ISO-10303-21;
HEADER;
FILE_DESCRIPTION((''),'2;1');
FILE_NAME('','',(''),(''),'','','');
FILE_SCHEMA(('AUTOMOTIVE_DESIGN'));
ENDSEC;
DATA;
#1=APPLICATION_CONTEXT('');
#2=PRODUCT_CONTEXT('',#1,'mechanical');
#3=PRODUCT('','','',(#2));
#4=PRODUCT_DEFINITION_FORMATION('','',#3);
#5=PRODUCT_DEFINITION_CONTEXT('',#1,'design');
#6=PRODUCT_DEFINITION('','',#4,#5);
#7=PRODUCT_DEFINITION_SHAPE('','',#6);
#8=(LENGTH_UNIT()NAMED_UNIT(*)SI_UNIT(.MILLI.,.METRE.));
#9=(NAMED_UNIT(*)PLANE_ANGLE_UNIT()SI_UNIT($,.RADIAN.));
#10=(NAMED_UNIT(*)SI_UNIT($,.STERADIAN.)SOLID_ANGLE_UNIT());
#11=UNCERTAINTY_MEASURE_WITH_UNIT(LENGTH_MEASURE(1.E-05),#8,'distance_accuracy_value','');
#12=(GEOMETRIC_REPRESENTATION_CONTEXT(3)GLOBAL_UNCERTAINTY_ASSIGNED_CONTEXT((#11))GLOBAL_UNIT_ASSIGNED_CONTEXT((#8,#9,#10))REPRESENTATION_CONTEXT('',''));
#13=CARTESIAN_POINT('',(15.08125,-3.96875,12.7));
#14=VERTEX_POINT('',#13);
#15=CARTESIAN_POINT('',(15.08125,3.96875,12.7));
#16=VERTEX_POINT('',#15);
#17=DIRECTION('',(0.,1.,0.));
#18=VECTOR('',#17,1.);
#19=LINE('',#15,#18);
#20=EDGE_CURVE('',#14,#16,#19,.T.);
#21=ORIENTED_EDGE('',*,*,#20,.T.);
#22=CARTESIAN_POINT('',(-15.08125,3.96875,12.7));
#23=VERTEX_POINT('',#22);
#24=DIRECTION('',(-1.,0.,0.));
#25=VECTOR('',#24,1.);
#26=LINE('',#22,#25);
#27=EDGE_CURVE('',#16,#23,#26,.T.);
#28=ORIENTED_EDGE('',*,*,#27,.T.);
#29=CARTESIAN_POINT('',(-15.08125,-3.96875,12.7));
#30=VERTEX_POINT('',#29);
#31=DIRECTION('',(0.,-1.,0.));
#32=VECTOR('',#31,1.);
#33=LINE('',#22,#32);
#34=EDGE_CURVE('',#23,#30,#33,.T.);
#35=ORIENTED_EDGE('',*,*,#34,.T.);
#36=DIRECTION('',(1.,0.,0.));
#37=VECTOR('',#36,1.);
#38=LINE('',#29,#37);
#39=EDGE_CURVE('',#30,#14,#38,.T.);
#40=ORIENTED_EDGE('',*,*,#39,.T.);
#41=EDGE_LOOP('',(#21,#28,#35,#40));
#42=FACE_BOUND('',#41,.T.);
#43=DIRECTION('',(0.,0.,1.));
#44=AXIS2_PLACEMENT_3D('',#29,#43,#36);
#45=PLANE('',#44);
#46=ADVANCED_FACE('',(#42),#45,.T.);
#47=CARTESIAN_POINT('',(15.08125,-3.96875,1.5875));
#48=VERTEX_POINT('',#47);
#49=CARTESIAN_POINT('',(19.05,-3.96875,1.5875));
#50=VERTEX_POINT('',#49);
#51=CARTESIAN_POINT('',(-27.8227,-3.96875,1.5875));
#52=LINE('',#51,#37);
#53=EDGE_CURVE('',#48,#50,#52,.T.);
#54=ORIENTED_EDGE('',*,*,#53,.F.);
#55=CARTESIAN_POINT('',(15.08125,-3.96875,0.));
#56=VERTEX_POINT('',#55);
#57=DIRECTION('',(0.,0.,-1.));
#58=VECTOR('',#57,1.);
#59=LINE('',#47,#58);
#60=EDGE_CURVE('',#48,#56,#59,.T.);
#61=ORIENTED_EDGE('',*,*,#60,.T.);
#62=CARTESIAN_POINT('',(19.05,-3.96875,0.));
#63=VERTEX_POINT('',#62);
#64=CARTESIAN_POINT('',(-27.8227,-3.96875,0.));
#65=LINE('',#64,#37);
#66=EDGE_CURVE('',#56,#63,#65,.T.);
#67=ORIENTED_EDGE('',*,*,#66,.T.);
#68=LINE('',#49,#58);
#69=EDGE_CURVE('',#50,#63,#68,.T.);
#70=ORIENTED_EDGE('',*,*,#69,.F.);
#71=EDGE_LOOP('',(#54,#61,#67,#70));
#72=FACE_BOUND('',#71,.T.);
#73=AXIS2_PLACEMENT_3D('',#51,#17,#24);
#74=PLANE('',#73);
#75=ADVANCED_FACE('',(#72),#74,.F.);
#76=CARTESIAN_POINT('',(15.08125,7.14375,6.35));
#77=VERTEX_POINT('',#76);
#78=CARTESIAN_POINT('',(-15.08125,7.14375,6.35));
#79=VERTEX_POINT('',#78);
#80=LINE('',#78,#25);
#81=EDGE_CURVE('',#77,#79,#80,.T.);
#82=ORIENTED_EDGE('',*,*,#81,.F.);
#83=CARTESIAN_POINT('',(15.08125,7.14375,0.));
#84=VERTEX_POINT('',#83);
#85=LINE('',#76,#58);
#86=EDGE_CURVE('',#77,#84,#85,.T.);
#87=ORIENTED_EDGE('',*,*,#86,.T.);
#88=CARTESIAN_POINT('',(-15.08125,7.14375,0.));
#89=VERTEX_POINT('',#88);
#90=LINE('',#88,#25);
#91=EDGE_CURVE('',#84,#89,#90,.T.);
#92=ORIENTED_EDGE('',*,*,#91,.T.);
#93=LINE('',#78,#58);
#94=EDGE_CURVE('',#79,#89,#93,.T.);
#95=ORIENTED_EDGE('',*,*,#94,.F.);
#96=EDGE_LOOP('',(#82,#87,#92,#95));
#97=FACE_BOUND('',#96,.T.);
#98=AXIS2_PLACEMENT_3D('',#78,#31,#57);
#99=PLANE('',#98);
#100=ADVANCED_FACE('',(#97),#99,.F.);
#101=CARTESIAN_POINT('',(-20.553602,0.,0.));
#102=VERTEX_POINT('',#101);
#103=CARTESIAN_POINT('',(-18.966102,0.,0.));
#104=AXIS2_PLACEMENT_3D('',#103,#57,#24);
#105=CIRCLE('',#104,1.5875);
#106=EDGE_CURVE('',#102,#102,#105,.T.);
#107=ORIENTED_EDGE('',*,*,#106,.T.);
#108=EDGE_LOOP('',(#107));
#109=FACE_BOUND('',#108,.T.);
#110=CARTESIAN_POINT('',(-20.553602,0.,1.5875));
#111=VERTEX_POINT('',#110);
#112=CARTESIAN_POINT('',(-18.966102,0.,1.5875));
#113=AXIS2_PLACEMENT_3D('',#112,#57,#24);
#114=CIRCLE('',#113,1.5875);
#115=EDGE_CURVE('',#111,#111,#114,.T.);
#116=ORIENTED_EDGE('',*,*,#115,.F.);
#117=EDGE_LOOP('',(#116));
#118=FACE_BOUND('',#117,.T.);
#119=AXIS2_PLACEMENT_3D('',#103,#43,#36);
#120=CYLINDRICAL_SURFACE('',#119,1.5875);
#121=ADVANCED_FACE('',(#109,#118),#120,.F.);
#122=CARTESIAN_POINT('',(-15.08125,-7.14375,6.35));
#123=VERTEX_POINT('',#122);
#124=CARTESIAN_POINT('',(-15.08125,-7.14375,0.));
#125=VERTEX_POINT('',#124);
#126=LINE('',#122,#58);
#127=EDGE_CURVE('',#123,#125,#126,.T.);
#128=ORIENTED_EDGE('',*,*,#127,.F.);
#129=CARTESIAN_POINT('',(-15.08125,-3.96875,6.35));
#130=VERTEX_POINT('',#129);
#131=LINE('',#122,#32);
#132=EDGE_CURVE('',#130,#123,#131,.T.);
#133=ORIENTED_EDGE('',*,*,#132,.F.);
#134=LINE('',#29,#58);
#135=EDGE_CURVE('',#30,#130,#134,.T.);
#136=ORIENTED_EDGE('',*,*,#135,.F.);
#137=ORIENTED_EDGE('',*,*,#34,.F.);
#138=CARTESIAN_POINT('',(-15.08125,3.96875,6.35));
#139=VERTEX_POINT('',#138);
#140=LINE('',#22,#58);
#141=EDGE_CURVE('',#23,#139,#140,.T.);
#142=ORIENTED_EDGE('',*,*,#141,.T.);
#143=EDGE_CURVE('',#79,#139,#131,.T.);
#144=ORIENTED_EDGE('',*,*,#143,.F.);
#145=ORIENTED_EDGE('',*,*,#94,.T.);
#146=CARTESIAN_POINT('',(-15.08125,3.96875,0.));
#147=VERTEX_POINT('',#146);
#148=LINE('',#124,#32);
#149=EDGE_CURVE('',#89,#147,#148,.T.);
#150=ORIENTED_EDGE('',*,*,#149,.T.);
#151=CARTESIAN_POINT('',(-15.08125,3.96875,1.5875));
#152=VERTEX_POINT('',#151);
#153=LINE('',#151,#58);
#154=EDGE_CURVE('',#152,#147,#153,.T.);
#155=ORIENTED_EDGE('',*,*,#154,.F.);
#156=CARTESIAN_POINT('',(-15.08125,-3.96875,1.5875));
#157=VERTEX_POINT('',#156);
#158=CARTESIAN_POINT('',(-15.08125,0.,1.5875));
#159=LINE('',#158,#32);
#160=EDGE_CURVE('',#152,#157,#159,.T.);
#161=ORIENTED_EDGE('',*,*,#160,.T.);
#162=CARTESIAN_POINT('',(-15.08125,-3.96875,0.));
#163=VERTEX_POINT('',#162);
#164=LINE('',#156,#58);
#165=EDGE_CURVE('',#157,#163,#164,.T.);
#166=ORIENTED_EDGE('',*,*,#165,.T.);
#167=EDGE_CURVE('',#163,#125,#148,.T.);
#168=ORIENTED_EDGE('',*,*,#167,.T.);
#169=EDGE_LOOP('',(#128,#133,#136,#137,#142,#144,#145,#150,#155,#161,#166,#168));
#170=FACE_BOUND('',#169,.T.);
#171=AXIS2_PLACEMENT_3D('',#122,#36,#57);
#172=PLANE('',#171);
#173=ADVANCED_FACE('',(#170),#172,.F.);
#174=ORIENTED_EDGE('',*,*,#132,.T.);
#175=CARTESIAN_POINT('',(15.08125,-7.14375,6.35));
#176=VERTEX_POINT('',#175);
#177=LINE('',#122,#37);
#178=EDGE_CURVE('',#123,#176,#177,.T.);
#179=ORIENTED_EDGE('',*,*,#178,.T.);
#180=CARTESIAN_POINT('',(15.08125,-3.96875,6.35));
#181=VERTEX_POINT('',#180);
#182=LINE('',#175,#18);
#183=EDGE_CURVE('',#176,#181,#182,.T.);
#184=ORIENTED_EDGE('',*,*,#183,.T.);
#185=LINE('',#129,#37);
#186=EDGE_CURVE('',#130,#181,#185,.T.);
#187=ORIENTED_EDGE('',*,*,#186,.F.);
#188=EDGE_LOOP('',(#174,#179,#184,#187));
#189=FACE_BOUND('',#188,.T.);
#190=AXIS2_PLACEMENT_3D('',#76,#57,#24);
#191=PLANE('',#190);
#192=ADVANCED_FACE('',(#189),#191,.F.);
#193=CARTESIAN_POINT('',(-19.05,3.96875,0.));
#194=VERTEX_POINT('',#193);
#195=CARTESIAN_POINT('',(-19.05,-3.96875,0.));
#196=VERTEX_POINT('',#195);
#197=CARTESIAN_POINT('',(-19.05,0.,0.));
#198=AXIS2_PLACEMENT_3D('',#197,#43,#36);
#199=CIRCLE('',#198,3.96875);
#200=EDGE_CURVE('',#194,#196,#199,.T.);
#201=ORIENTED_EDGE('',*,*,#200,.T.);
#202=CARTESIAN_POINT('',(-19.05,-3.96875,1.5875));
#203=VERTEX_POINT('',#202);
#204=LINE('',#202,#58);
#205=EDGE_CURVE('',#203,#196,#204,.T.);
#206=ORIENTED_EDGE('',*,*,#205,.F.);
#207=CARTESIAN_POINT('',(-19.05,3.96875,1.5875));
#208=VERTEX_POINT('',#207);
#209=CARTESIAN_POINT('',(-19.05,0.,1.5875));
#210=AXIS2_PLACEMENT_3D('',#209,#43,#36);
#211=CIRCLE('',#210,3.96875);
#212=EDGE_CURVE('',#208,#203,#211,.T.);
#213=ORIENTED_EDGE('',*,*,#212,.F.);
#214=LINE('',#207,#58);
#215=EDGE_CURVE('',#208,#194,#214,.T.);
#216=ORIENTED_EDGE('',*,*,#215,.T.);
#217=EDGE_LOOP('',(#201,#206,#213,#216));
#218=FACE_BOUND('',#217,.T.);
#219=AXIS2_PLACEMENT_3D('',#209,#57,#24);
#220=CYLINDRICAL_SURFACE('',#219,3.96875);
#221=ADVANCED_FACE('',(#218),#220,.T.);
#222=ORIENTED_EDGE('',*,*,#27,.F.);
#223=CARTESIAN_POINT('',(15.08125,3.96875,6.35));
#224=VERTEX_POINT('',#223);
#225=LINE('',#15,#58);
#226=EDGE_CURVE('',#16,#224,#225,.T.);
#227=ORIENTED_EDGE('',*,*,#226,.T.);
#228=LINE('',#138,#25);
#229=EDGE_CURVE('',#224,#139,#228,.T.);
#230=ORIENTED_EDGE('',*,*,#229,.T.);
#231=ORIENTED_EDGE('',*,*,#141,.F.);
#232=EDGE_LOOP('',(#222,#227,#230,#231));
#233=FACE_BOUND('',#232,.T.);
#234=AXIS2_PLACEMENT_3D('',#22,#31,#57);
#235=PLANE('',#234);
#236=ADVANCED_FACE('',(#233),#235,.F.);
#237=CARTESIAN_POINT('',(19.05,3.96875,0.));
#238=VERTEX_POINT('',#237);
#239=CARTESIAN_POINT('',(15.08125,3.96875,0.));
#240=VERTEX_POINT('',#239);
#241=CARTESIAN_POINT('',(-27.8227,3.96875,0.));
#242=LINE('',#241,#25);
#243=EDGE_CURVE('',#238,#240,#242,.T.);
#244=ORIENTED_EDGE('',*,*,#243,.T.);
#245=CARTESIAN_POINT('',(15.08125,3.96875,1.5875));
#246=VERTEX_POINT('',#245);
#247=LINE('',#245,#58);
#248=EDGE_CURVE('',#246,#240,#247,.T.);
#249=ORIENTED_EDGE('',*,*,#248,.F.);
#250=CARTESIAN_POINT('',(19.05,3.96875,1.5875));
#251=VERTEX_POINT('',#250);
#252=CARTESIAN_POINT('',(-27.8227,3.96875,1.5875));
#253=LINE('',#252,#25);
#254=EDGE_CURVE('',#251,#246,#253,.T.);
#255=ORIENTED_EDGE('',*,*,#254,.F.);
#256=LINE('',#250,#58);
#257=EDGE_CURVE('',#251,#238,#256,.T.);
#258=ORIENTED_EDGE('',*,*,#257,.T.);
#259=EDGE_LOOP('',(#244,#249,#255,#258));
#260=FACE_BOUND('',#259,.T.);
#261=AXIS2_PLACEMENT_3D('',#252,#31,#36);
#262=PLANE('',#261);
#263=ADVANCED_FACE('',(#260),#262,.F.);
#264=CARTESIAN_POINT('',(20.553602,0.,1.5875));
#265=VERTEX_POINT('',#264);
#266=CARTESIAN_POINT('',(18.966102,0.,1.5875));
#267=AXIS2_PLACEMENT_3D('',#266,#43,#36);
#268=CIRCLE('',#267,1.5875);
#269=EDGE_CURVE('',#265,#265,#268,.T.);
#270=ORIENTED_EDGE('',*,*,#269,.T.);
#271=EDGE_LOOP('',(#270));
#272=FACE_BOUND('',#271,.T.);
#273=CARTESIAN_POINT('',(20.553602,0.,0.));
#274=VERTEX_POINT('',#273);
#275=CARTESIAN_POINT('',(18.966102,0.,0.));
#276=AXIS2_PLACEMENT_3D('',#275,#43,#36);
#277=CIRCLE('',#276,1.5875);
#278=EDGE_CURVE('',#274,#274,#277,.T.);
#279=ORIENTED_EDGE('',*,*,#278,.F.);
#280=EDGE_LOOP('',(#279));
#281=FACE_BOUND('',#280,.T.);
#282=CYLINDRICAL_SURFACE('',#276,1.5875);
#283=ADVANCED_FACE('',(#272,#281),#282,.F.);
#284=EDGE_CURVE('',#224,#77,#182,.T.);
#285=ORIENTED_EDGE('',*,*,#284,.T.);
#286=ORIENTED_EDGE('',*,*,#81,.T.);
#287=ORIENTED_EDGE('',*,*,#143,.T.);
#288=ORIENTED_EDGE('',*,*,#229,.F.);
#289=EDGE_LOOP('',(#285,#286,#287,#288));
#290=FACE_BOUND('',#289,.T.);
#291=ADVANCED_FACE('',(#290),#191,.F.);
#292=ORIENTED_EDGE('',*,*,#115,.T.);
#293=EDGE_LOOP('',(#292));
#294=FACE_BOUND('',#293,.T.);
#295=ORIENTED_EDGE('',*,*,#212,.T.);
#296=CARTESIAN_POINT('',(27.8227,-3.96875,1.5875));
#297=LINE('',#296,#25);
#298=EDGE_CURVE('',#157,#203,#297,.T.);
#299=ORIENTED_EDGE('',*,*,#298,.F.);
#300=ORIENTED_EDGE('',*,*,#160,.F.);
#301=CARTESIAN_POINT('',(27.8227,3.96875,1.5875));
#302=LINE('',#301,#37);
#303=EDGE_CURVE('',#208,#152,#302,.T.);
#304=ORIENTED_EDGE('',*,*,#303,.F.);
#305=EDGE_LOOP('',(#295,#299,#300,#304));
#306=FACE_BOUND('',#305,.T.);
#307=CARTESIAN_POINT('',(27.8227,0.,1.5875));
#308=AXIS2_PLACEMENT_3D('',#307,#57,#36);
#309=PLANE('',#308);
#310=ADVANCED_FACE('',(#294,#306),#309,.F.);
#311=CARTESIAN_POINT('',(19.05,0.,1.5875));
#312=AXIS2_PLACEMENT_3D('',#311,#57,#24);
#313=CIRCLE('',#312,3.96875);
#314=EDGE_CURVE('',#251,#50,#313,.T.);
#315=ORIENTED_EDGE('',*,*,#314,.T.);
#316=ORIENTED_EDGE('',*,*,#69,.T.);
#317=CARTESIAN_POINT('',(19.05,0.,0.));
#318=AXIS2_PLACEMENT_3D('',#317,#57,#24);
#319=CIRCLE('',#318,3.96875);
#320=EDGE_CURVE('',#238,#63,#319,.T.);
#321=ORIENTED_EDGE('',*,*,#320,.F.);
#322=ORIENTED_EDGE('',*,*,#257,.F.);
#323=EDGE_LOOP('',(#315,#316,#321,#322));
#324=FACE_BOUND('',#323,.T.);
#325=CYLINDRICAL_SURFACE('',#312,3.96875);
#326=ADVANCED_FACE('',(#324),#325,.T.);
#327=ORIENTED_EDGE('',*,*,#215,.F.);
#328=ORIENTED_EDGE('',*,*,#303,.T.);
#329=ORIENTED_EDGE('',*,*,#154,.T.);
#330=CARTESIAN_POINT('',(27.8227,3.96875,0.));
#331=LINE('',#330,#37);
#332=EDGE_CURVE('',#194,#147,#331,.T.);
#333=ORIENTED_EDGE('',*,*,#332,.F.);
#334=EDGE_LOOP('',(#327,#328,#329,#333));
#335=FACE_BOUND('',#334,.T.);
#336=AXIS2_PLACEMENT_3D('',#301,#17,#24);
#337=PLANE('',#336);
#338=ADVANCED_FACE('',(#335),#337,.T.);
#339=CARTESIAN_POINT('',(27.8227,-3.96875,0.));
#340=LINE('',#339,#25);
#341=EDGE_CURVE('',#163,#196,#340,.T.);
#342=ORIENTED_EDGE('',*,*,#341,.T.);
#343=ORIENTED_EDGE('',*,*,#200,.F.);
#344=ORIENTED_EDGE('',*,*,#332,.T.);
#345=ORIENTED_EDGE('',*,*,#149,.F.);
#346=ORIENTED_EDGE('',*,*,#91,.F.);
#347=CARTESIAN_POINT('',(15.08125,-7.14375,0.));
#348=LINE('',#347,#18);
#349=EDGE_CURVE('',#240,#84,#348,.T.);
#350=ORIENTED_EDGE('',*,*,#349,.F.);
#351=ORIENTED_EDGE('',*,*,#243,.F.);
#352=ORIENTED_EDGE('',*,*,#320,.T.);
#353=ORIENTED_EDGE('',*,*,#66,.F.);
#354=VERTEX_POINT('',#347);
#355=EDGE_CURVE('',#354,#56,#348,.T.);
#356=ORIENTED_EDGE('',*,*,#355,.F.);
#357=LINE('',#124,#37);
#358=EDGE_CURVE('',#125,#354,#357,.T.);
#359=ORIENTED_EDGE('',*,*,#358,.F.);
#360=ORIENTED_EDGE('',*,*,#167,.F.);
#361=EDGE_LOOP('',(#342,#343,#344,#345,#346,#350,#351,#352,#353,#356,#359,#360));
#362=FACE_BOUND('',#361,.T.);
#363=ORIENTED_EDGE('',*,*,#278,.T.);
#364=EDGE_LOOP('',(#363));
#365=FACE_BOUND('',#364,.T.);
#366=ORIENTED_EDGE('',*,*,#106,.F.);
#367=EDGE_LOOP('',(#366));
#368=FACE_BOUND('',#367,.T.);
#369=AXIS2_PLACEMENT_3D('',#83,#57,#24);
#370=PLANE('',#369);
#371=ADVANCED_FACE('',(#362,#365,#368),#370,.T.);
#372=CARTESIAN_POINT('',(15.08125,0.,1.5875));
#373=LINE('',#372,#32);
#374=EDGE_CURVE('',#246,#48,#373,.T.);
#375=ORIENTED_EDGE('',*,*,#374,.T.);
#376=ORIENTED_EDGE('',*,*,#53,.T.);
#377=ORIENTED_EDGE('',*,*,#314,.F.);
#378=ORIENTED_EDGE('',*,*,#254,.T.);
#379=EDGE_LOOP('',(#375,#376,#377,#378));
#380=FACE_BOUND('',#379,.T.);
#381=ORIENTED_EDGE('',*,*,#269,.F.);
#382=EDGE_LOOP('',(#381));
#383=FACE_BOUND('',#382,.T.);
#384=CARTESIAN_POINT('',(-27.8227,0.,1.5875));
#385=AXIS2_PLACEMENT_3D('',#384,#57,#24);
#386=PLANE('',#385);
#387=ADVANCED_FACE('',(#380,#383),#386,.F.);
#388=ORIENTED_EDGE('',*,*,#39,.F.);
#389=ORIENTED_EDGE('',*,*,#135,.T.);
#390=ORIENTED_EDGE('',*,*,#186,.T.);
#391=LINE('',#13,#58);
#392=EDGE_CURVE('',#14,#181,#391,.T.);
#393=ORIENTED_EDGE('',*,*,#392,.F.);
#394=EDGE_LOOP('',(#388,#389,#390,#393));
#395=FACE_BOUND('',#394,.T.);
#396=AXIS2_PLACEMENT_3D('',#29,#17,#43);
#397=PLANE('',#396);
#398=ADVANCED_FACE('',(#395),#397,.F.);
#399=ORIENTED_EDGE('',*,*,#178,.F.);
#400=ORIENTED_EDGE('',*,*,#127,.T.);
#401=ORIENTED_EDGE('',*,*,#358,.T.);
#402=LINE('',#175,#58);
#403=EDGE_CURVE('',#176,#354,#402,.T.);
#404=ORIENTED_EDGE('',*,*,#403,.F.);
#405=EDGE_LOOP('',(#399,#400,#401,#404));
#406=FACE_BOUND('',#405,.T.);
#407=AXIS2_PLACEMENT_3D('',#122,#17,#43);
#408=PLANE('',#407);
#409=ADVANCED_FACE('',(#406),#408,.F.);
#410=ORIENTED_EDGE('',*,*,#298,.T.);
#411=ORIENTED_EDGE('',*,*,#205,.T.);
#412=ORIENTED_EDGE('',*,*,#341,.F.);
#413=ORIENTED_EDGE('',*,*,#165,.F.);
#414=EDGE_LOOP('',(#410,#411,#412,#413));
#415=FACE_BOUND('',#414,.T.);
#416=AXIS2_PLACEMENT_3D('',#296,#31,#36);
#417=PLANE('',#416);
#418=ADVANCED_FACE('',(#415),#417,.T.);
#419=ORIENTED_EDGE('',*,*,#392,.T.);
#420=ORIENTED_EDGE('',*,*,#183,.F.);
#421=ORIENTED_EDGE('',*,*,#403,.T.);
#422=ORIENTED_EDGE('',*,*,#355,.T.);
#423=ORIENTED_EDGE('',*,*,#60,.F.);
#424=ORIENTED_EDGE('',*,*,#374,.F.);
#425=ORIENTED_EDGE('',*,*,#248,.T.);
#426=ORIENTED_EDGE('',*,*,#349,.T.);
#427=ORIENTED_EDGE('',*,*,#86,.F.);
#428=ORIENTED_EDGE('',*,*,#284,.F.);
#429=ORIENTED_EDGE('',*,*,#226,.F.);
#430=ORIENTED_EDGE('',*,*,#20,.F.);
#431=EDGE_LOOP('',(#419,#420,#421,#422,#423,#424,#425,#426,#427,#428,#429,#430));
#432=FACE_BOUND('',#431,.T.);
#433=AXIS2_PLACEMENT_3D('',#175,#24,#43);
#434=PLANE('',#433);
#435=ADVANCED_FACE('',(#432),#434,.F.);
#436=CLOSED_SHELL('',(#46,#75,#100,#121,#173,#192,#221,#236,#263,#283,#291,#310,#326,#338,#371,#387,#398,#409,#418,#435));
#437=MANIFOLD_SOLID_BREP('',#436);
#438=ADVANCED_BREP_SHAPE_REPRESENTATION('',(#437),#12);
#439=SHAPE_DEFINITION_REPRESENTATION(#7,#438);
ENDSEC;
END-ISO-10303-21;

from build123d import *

# Parameters (mm, degrees)
SKETCH1_W           = 30.1625
SKETCH1_H           = 14.2875
BOSS_EXTRUDE1_DEPTH = 6.35
SKETCH2_W           = 30.1625
SKETCH2_H           = 7.9375
BOSS_EXTRUDE2_DEPTH = 6.35
BOSS_EXTRUDE3_DEPTH = 1.5875
SKETCH4_R           = 1.5875
CUT_EXTRUDE1_DEPTH  = 1.5875


with BuildPart() as part:
    # Sketch1 → Boss-Extrude1 (new body)
    with BuildSketch(Plane.XY):
        Rectangle(SKETCH1_W, SKETCH1_H)
    extrude(amount=BOSS_EXTRUDE1_DEPTH)

    # Sketch2 → Boss-Extrude2 (add)
    with BuildSketch(Plane.XY.offset(6.35)):
        Rectangle(SKETCH2_W, SKETCH2_H)
    extrude(amount=BOSS_EXTRUDE2_DEPTH)

    # Sketch3 → Boss-Extrude3 (add)
    with BuildSketch(Plane(origin=(0, 0, 0), x_dir=(-1, 0, 0), z_dir=(0, 0, -1))):
        with BuildLine():
            ThreePointArc((-15.08125, 0), (-16.243669962, 2.806330038), (-19.05, 3.96875))
            Line((-19.05, 3.96875), (-19.05, -3.96875))
            ThreePointArc((-19.05, -3.96875), (-16.243669962, -2.806330038), (-15.08125, 0))
        make_face()
        with BuildLine():
            Line((-19.05, -3.96875), (-19.05, 3.96875))
            ThreePointArc((-19.05, 3.96875), (-23.01875, 0), (-19.05, -3.96875))
        make_face()
        with BuildLine():
            Line((-15.08125, 3.96875), (-19.05, 3.96875))
            ThreePointArc((-19.05, 3.96875), (-16.243669962, 2.806330038), (-15.08125, 0))
            Line((-15.08125, 0), (-15.08125, 3.96875))
        make_face()
        with BuildLine():
            ThreePointArc((-15.08125, 0), (-16.243669962, -2.806330038), (-19.05, -3.96875))
            Line((-19.05, -3.96875), (-15.08125, -3.96875))
            Line((-15.08125, -3.96875), (-15.08125, 0))
        make_face()
    boss_extrude3 = extrude(amount=-BOSS_EXTRUDE3_DEPTH)

    # Sketch4 → Cut-Extrude1 (cut)
    with BuildSketch(Plane.XY.offset(1.5875)):
        with Locations((18.966101938, 0)):
            Circle(SKETCH4_R)
    cut_extrude1 = extrude(amount=-CUT_EXTRUDE1_DEPTH, mode=Mode.SUBTRACT)

    # Mirror1: Boss-Extrude3, Cut-Extrude1 across plane
    add(boss_extrude3.mirror(Plane(origin=(0, 0, 0), x_dir=(0, 0, 1), z_dir=(1, 0, 0))))
    add(cut_extrude1.mirror(Plane(origin=(0, 0, 0), x_dir=(0, 0, 1), z_dir=(1, 0, 0))), mode=Mode.SUBTRACT)


solid = part.part
